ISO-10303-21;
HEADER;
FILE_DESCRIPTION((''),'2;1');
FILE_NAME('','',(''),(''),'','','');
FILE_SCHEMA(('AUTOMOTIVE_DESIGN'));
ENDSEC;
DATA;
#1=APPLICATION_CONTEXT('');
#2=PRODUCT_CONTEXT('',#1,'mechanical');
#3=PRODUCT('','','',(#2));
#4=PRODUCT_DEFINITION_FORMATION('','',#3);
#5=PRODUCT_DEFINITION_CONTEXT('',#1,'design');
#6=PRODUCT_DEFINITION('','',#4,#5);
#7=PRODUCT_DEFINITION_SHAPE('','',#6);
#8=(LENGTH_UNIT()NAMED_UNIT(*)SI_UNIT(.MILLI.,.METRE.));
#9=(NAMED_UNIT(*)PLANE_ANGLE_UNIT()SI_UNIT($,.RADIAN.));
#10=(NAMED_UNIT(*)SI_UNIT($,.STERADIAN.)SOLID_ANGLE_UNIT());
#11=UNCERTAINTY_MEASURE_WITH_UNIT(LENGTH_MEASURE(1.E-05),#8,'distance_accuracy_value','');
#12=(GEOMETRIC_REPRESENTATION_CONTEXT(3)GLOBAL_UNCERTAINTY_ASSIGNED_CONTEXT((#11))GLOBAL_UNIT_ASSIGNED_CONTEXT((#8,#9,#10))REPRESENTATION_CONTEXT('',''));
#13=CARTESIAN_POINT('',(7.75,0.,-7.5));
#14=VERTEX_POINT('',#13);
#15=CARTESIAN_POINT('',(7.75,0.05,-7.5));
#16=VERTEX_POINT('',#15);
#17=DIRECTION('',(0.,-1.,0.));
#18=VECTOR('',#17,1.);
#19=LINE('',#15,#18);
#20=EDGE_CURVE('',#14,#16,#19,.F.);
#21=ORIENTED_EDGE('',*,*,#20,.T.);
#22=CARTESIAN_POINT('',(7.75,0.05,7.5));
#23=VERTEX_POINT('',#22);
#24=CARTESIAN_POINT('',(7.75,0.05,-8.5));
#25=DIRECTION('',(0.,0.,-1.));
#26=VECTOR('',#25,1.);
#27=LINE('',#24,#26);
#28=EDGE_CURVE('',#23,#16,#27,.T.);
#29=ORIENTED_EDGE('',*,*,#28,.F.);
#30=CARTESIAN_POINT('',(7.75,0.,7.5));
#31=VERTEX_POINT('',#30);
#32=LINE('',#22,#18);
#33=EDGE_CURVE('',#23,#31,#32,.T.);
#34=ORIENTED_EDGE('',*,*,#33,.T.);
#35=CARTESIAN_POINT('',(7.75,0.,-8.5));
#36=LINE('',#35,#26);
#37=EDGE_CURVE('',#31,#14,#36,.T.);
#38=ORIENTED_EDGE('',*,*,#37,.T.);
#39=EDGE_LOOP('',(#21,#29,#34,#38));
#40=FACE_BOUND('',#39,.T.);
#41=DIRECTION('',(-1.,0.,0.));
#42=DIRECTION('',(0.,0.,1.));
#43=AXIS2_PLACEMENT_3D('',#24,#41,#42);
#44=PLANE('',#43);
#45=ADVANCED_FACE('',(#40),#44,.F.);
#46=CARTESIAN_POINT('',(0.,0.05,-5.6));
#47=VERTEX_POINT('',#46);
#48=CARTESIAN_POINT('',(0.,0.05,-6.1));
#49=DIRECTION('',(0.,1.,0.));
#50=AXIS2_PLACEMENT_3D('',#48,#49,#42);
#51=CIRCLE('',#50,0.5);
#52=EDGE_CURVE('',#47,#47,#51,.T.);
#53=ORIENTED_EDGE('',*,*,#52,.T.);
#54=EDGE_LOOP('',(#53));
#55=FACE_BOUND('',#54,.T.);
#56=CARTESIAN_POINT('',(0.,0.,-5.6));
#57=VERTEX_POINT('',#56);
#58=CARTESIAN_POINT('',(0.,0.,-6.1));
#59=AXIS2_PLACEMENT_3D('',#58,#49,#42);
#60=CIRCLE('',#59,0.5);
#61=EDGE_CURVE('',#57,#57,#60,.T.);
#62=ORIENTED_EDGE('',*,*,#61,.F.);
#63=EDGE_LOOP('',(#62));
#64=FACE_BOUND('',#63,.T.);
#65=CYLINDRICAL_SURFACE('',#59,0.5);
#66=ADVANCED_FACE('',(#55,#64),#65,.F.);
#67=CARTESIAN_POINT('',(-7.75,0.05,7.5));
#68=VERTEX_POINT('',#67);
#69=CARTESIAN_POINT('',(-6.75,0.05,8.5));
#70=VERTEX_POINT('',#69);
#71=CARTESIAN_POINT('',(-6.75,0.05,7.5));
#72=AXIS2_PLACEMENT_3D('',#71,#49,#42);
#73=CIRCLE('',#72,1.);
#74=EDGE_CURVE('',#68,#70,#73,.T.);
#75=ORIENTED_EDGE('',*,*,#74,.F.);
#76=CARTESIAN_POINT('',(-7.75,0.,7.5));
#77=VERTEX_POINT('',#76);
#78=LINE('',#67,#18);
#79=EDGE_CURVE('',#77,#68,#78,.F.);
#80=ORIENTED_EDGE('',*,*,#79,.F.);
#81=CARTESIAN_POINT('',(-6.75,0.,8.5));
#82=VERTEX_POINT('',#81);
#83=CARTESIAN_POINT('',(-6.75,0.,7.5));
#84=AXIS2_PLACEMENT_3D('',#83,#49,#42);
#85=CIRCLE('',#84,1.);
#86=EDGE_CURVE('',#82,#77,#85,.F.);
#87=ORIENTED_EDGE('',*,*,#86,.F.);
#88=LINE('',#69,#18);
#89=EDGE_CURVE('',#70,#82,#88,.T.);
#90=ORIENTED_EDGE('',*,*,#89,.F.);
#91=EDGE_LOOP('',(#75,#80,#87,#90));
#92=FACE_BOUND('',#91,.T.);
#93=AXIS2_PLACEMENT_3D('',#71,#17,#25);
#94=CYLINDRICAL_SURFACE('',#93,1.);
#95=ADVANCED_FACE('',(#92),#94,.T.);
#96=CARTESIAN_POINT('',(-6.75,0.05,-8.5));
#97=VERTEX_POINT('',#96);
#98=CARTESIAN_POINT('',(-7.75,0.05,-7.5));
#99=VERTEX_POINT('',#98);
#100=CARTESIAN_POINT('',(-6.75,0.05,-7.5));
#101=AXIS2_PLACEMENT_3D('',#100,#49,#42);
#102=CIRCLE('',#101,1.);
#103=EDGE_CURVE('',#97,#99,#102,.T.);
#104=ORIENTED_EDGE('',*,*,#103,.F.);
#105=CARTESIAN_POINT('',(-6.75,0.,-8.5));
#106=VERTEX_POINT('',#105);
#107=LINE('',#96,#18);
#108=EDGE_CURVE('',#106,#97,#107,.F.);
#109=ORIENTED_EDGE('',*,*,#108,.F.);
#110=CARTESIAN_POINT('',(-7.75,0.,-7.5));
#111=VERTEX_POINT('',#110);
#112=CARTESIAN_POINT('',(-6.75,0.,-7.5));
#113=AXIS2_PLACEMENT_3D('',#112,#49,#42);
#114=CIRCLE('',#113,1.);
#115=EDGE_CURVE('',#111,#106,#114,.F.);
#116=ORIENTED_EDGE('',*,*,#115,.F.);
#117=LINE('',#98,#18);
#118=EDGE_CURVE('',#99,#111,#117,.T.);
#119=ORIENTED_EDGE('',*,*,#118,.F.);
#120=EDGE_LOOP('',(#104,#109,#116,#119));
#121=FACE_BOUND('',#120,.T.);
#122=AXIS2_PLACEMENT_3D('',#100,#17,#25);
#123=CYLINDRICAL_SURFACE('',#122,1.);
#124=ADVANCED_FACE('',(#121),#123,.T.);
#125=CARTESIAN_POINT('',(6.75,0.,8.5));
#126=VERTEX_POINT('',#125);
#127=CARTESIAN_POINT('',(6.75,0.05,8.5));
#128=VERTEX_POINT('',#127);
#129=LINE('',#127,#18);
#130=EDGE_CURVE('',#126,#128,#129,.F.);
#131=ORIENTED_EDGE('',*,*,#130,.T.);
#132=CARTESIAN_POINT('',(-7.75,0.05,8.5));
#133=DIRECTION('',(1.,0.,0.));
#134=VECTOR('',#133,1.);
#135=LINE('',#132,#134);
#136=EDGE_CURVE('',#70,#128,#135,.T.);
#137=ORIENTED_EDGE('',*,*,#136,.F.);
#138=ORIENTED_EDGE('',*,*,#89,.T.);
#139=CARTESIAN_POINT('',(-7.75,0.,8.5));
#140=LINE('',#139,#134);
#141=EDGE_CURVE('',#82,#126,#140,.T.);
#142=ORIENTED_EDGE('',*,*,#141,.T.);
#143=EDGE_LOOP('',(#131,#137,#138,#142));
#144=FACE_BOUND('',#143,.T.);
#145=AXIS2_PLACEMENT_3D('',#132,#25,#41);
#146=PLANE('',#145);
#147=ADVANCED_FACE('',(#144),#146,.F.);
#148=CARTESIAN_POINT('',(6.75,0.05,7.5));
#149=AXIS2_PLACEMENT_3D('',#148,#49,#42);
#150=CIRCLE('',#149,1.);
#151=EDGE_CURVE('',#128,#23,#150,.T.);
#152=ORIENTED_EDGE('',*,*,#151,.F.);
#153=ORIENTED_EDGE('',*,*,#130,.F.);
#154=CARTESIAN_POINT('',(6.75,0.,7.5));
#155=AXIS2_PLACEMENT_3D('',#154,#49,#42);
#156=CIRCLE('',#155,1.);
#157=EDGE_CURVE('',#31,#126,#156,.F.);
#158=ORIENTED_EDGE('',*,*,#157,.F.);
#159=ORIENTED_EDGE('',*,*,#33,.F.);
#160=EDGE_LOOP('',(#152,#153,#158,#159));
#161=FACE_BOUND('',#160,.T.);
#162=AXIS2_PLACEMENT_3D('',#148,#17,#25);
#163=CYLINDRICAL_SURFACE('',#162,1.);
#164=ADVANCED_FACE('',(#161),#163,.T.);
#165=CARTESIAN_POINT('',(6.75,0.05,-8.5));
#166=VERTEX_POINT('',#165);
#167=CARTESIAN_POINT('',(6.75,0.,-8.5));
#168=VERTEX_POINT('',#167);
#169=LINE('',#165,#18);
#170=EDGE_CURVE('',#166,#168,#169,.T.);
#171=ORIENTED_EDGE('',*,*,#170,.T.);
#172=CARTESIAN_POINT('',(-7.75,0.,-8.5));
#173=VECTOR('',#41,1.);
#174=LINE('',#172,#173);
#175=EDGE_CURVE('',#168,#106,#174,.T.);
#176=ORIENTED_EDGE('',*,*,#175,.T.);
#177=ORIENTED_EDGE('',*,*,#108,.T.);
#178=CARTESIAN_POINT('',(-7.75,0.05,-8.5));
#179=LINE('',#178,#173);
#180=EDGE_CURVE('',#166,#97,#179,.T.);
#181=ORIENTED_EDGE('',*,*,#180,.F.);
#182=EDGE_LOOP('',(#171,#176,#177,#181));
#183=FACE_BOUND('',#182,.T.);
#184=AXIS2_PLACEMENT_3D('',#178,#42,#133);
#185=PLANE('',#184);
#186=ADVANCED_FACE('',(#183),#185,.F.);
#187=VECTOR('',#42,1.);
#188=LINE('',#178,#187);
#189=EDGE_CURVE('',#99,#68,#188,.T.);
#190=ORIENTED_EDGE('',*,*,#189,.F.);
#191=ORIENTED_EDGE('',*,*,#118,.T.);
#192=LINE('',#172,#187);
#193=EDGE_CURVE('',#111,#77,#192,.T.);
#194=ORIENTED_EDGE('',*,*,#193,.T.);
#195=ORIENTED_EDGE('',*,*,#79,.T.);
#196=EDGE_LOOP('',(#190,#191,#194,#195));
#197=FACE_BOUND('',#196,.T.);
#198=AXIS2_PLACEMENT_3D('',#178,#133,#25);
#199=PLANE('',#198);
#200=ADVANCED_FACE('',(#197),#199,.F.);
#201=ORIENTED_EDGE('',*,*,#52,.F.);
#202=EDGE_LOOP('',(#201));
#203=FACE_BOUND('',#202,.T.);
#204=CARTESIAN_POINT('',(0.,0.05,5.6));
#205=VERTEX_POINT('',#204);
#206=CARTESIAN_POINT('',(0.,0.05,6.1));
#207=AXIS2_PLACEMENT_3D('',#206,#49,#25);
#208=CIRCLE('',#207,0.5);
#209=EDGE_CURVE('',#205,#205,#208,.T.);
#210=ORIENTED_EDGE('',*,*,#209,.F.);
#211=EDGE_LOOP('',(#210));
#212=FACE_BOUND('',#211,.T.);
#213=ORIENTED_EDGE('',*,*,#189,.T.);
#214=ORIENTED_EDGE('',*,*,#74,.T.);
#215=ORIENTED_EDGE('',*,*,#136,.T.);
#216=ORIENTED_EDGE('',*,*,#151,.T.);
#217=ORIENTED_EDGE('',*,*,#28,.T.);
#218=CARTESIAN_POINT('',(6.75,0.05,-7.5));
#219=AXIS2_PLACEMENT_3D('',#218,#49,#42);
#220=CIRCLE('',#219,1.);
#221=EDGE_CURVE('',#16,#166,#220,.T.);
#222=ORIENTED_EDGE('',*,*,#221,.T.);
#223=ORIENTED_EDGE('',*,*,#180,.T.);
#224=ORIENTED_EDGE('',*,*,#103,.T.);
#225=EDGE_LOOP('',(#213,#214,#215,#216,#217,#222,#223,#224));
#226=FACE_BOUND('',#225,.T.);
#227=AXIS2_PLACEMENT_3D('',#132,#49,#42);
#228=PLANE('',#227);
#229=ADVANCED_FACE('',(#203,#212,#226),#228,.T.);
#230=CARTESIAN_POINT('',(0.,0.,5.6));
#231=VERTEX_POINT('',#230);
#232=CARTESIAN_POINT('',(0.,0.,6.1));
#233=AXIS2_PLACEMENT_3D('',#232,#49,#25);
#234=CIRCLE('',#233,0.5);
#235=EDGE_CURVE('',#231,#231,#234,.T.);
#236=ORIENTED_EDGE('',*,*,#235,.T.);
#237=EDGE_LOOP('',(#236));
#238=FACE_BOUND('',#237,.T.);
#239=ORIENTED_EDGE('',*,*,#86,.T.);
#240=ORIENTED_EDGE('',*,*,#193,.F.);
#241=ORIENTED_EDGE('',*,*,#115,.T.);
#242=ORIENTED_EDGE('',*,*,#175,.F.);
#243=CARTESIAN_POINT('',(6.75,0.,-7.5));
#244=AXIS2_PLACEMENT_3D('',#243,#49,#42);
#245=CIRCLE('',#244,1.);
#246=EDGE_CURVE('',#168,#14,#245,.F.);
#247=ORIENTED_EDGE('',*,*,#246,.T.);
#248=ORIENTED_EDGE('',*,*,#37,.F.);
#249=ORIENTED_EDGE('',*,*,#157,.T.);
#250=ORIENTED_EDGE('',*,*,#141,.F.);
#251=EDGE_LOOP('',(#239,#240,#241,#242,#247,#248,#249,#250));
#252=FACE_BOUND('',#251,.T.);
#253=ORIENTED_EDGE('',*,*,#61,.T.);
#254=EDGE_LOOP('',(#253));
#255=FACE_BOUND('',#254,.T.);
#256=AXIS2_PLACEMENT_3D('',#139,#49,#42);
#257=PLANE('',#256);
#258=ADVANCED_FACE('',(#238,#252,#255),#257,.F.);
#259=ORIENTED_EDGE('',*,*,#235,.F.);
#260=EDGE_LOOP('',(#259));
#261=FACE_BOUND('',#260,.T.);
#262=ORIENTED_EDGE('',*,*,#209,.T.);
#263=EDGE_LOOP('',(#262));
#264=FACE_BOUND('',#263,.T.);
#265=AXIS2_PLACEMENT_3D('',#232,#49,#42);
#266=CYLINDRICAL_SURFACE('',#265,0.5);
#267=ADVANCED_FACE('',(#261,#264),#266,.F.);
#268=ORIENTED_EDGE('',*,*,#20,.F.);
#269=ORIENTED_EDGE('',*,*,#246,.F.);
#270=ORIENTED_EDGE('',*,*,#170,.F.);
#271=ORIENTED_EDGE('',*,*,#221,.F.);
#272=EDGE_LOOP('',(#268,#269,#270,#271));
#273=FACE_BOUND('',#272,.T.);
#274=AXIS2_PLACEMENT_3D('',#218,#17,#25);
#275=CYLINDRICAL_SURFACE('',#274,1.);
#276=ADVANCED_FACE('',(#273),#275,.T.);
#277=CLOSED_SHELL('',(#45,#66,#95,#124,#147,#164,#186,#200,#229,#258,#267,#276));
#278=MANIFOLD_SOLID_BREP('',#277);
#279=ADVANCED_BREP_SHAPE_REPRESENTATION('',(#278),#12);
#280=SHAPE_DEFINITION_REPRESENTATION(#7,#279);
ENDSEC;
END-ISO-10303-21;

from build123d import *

# Parameters (mm, degrees)
SKETCH1_W           = 15.5
SKETCH1_H           = 17
BOSS_EXTRUDE1_DEPTH = 0.05
FILLET1_R           = 1
SKETCH2_R           = 0.5
CUT_EXTRUDE1_DEPTH  = 1.05


with BuildPart() as part:
    # Sketch1 → Boss-Extrude1 (new body)
    with BuildSketch(Plane(origin=(0, 0, 0), x_dir=(1, 0, 0), z_dir=(0, 1, 0))):
        Rectangle(SKETCH1_W, SKETCH1_H)
    extrude(amount=BOSS_EXTRUDE1_DEPTH)

    # Fillet1
    fillet1_edges = [part.edges().sort_by_distance(p)[0] for p in [
        (-7.75, 0.025, -8.5),
        (7.75, 0.025, -8.5),
        (7.75, 0.025, 8.5),
        (-7.75, 0.025, 8.5),
    ]]
    fillet(fillet1_edges, radius=FILLET1_R)

    # Sketch2 → Cut-Extrude1 (cut, through all)
    with BuildSketch(Plane(origin=(0, 0.05, 0), x_dir=(1, 0, 0), z_dir=(0, 1, 0))):
        with Locations(Location((0, 6.1, 0), (0, 0, 270))):  # turned: the seam where the file's is
            Circle(SKETCH2_R)
        with Locations(Location((0, -6.1, 0), (0, 0, 90))):  # turned: the seam where the file's is
            Circle(SKETCH2_R)
    extrude(amount=-CUT_EXTRUDE1_DEPTH, mode=Mode.SUBTRACT)


solid = part.part
